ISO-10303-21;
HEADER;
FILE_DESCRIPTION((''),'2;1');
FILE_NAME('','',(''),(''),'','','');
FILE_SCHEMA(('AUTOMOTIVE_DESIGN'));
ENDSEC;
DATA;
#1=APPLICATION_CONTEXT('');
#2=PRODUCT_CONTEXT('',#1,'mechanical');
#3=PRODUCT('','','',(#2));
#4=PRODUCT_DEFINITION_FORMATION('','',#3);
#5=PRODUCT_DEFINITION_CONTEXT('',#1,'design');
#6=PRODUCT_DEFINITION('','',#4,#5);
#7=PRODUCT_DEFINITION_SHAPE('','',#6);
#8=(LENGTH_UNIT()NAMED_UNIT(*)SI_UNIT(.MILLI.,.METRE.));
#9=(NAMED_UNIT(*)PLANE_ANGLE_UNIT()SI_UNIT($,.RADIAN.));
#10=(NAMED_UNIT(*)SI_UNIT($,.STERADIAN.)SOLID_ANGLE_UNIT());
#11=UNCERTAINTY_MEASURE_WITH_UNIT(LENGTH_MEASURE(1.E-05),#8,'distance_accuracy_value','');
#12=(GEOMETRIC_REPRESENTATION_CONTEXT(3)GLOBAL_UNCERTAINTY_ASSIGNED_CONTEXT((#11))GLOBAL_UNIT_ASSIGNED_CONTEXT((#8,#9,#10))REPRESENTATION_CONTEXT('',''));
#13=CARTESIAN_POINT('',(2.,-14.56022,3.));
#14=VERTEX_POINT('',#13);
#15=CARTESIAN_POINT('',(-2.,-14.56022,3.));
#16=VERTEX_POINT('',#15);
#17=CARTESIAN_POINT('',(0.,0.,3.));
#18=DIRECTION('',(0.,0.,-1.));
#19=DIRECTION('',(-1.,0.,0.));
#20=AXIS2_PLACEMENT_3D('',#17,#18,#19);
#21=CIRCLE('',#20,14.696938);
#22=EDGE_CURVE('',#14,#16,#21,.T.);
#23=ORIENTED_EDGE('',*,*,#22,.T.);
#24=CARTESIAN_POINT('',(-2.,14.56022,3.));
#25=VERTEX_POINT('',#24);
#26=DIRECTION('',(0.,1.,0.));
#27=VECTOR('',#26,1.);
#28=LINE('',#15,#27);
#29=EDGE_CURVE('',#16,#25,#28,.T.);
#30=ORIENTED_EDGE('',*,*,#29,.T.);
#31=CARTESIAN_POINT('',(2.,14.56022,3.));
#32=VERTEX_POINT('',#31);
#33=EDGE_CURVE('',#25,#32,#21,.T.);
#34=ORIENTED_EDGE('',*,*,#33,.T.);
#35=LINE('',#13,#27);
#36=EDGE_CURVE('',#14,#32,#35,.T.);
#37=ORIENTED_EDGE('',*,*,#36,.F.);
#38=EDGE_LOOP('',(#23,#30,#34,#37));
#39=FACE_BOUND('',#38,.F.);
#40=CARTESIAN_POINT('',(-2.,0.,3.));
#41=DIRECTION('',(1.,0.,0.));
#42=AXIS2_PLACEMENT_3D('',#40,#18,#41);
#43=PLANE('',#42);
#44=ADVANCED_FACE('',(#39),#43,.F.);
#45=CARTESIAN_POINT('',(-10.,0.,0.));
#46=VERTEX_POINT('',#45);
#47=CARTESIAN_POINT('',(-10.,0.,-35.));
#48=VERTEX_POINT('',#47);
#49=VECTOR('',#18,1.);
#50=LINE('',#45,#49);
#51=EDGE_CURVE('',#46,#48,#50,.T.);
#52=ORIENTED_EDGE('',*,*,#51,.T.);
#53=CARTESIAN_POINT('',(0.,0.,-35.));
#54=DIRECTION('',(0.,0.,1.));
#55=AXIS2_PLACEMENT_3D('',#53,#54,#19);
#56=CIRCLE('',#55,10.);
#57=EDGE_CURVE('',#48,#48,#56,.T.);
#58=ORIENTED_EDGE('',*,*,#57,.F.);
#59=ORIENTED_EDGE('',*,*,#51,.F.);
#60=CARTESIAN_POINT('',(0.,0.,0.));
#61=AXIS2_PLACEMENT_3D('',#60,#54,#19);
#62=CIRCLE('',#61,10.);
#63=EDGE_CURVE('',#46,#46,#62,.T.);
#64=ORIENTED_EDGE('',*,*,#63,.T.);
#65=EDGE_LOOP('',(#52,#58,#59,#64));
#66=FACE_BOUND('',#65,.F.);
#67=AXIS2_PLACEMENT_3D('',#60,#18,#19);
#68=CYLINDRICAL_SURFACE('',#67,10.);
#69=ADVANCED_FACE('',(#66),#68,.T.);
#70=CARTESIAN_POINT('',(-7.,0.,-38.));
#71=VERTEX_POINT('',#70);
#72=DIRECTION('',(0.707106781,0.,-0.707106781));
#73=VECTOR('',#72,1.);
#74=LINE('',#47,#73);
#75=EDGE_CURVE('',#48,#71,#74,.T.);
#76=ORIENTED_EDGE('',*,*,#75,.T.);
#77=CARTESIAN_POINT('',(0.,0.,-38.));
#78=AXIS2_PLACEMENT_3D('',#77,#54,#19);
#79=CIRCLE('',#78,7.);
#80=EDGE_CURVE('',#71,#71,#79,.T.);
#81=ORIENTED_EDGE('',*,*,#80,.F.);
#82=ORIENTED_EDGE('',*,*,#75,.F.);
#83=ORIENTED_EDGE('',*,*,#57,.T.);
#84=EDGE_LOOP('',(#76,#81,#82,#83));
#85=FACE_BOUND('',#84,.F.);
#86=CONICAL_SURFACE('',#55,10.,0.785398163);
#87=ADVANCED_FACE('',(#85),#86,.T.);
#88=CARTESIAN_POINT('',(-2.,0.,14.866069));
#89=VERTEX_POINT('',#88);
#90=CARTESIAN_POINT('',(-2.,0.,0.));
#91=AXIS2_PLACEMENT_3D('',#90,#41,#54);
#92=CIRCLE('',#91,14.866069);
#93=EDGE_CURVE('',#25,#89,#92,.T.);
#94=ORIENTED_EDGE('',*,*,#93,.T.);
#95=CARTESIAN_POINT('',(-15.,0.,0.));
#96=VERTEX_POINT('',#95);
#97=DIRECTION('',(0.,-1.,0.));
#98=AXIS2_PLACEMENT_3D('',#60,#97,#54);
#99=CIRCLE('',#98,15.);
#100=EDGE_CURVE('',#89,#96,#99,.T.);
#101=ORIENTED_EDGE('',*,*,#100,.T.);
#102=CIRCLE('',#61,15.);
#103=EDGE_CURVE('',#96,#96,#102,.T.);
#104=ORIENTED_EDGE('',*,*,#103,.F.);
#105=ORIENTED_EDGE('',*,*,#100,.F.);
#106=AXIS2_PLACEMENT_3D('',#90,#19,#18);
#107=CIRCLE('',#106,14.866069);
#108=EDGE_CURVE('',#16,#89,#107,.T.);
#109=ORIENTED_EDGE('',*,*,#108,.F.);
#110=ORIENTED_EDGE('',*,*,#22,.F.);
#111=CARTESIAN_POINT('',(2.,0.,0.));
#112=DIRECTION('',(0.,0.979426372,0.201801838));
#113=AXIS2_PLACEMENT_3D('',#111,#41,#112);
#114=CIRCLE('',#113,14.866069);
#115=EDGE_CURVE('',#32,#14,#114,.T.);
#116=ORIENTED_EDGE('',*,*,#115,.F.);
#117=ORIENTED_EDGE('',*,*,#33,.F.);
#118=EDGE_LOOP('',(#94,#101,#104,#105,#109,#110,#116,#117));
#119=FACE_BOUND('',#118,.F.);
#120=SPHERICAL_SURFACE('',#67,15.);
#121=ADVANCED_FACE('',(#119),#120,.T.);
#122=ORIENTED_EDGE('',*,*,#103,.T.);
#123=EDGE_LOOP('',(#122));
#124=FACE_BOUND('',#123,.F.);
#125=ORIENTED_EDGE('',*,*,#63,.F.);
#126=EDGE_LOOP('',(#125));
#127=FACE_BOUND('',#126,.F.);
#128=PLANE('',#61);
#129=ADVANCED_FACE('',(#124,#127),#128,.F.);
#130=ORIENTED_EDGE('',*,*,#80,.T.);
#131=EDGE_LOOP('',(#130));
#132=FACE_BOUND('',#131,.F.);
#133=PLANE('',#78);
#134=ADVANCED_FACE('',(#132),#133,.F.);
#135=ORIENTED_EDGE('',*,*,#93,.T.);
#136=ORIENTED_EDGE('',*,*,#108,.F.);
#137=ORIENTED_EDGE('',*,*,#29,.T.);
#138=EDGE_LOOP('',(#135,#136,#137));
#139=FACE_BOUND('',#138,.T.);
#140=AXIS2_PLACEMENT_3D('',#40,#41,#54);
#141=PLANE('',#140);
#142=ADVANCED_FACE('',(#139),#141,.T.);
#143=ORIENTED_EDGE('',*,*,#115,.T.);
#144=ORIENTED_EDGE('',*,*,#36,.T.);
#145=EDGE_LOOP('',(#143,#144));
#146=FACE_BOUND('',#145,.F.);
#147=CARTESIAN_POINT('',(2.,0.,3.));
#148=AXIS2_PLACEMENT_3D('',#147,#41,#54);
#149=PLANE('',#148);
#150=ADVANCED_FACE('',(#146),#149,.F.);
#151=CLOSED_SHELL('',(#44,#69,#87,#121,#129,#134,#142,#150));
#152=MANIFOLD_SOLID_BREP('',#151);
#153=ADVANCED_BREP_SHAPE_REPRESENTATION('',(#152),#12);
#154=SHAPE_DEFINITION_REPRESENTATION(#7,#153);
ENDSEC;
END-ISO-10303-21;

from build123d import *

# Parameters (mm, degrees)
F2_SIZE       = 3
F3_W          = 4
F3_H          = 15.679534703
F4_DEPTH      = 15.001
F4_DEPTH_BACK = 15.001


with BuildPart() as f1:
    # F0 (on Front) → F1 (revolve)
    with BuildSketch(Plane.XZ):
        with BuildLine():
            Line((0, -38), (0, 15))
            ThreePointArc((0, 15), (-10.6066017178, 10.6066017178), (-15, 0))
            Line((-15, 0), (-10, 0))
            Line((-10, 0), (-10, -38))
            Line((-10, -38), (0, -38))
        make_face()
    revolve(axis=Axis((0, 0, -11.5), (0, 0, 1)))

    # F2
    f2_edges = [f1.edges().sort_by_distance(p)[0] for p in [
        (10, 0, -38),
    ]]
    chamfer(f2_edges, length=F2_SIZE)

    # F3 (on Front) → F4 (cut, two sides)
    with BuildSketch(Plane.XZ) as f4_sk:
        with Locations((0, 10.8397673515)):
            Rectangle(F3_W, F3_H)
    extrude(amount=-F4_DEPTH, mode=Mode.SUBTRACT)
    extrude(f4_sk.sketch, amount=F4_DEPTH_BACK, mode=Mode.SUBTRACT)


solid = f1.part
